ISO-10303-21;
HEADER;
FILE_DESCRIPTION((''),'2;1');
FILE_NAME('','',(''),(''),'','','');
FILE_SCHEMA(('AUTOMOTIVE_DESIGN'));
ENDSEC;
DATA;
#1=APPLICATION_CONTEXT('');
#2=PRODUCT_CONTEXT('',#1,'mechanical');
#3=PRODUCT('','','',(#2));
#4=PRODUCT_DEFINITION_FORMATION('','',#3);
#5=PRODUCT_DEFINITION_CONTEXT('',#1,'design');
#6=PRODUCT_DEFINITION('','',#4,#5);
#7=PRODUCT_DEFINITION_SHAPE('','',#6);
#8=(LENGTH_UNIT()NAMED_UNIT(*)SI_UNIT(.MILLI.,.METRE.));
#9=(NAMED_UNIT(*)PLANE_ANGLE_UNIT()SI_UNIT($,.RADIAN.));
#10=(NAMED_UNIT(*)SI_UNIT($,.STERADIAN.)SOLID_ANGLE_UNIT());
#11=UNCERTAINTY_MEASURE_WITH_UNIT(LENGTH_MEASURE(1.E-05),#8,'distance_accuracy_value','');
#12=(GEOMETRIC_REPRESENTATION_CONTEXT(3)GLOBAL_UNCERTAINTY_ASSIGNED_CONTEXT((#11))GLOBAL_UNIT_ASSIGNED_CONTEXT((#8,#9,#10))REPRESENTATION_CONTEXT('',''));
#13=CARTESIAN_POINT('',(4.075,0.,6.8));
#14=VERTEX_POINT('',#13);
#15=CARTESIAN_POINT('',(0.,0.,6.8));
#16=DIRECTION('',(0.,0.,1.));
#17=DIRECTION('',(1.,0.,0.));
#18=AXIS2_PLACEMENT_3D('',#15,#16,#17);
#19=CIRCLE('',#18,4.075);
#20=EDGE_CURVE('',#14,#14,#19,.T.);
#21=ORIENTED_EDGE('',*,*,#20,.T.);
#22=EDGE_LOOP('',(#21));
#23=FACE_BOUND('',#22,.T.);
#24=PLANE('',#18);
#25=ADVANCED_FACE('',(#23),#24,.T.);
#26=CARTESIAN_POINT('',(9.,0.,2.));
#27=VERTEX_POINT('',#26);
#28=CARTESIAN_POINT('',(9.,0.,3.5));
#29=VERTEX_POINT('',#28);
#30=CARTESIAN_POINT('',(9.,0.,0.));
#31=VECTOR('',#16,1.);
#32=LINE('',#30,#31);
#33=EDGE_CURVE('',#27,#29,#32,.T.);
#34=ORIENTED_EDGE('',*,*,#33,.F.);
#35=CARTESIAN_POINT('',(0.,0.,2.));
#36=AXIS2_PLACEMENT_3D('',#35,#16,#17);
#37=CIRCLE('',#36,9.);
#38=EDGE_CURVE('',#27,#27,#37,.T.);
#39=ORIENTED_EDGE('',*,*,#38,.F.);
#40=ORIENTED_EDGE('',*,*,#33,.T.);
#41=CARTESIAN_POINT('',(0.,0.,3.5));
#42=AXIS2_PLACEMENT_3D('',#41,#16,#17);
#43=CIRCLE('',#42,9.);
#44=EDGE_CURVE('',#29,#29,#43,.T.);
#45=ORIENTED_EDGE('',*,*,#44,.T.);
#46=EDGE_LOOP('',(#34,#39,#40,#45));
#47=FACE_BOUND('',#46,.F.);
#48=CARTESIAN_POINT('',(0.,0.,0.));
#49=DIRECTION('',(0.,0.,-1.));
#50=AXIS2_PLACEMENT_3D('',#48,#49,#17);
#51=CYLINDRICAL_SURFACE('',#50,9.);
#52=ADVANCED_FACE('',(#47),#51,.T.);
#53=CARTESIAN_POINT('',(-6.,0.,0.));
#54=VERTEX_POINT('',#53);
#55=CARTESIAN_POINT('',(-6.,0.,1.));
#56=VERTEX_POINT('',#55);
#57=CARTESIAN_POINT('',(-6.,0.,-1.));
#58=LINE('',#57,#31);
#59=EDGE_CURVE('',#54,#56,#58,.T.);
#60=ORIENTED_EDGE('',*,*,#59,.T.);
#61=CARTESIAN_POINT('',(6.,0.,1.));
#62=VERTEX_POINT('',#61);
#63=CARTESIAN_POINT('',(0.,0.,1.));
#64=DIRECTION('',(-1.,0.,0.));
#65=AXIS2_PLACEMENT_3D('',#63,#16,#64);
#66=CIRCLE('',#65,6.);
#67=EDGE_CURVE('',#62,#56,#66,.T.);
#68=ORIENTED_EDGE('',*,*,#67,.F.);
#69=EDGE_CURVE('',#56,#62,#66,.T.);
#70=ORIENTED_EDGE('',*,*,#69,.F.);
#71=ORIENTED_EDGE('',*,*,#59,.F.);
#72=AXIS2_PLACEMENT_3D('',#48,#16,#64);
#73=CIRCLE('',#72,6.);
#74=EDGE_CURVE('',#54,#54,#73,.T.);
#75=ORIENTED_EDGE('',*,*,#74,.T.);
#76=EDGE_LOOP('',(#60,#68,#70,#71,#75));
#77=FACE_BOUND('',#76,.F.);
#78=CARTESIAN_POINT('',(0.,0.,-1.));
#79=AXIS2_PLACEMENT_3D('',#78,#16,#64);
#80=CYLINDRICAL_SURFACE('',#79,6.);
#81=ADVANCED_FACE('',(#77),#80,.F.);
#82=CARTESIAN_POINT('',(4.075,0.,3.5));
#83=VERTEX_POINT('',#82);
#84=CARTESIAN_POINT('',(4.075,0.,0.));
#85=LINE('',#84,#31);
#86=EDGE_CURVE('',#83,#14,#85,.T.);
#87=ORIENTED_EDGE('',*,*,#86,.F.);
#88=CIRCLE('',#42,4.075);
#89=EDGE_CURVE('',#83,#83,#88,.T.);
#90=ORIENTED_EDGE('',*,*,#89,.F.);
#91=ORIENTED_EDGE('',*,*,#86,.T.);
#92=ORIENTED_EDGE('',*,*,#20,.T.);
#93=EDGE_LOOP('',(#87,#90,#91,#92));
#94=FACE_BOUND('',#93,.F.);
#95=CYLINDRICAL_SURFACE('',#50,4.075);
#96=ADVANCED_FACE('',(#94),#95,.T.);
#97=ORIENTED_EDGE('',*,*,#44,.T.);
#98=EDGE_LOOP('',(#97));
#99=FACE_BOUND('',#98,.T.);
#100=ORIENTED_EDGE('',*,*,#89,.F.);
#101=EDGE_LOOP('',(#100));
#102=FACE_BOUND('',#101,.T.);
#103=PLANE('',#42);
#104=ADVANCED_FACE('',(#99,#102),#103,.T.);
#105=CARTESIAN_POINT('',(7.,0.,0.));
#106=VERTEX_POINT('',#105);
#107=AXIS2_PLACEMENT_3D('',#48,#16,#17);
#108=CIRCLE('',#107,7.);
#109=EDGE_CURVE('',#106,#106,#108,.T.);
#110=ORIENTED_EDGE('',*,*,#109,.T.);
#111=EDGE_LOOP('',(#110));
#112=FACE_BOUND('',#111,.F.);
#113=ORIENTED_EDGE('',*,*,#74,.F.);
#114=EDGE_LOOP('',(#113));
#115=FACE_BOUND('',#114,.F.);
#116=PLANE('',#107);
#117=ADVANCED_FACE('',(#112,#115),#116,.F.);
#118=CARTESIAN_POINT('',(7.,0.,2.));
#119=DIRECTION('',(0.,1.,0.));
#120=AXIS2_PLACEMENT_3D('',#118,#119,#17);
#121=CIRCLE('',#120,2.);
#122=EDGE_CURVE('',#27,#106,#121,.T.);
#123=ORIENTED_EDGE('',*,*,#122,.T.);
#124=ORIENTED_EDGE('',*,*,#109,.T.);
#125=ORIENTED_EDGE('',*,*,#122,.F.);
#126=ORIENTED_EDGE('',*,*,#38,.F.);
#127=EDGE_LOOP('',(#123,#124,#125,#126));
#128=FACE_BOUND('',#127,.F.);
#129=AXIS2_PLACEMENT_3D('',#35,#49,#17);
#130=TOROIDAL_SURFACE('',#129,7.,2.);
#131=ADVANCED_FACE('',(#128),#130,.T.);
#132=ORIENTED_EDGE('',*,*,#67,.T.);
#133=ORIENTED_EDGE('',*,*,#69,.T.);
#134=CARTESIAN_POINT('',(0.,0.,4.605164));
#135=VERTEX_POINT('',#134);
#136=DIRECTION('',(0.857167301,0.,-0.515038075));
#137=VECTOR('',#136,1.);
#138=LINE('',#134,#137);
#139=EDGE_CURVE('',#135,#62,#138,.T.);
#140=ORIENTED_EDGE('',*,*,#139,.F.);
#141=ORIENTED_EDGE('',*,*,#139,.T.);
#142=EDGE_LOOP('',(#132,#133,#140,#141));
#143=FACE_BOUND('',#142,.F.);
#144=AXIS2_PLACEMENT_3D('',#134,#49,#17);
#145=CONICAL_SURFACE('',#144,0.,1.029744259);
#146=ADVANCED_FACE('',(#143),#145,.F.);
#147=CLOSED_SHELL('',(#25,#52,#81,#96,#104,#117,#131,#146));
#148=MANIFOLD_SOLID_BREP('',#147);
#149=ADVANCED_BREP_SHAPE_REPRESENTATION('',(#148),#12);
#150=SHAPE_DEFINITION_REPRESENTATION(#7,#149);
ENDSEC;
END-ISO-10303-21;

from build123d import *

# Parameters (mm, degrees)
F0_R     = 4.075
F1_DEPTH = 6.8
F0_R_2   = 9
F2_DEPTH = 3.5
F3_R     = 2
F4_D     = 12
F4_DEPTH = 1
F4_TIP   = 3.6051637142


with BuildPart() as f1:
    # F0 (on Top) → F1 (new body)
    with BuildSketch(Plane.XY):
        Circle(F0_R)
    extrude(amount=F1_DEPTH)

    # F0 (on Top) → F2 (join)
    with BuildSketch(Plane.XY):
        Circle(F0_R_2)
        Circle(F0_R, mode=Mode.SUBTRACT)
    extrude(amount=F2_DEPTH)

    # F3
    f3_edges = [f1.edges().sort_by_distance(p)[0] for p in [
        (-9, 0, 0),
    ]]
    fillet(f3_edges, radius=F3_R)

    # F4
    with Locations(Plane(origin=(0, 0, 0), x_dir=(1, 0, 0), z_dir=(0, 0, -1))):
        with Locations((0, 0)):
            Hole(F4_D / 2, depth=F4_DEPTH)
            with Locations((0, 0, -(F4_DEPTH + F4_TIP / 2))):  # 118° drill point
                Cone(0, F4_D / 2, F4_TIP, mode=Mode.SUBTRACT)


solid = f1.part
